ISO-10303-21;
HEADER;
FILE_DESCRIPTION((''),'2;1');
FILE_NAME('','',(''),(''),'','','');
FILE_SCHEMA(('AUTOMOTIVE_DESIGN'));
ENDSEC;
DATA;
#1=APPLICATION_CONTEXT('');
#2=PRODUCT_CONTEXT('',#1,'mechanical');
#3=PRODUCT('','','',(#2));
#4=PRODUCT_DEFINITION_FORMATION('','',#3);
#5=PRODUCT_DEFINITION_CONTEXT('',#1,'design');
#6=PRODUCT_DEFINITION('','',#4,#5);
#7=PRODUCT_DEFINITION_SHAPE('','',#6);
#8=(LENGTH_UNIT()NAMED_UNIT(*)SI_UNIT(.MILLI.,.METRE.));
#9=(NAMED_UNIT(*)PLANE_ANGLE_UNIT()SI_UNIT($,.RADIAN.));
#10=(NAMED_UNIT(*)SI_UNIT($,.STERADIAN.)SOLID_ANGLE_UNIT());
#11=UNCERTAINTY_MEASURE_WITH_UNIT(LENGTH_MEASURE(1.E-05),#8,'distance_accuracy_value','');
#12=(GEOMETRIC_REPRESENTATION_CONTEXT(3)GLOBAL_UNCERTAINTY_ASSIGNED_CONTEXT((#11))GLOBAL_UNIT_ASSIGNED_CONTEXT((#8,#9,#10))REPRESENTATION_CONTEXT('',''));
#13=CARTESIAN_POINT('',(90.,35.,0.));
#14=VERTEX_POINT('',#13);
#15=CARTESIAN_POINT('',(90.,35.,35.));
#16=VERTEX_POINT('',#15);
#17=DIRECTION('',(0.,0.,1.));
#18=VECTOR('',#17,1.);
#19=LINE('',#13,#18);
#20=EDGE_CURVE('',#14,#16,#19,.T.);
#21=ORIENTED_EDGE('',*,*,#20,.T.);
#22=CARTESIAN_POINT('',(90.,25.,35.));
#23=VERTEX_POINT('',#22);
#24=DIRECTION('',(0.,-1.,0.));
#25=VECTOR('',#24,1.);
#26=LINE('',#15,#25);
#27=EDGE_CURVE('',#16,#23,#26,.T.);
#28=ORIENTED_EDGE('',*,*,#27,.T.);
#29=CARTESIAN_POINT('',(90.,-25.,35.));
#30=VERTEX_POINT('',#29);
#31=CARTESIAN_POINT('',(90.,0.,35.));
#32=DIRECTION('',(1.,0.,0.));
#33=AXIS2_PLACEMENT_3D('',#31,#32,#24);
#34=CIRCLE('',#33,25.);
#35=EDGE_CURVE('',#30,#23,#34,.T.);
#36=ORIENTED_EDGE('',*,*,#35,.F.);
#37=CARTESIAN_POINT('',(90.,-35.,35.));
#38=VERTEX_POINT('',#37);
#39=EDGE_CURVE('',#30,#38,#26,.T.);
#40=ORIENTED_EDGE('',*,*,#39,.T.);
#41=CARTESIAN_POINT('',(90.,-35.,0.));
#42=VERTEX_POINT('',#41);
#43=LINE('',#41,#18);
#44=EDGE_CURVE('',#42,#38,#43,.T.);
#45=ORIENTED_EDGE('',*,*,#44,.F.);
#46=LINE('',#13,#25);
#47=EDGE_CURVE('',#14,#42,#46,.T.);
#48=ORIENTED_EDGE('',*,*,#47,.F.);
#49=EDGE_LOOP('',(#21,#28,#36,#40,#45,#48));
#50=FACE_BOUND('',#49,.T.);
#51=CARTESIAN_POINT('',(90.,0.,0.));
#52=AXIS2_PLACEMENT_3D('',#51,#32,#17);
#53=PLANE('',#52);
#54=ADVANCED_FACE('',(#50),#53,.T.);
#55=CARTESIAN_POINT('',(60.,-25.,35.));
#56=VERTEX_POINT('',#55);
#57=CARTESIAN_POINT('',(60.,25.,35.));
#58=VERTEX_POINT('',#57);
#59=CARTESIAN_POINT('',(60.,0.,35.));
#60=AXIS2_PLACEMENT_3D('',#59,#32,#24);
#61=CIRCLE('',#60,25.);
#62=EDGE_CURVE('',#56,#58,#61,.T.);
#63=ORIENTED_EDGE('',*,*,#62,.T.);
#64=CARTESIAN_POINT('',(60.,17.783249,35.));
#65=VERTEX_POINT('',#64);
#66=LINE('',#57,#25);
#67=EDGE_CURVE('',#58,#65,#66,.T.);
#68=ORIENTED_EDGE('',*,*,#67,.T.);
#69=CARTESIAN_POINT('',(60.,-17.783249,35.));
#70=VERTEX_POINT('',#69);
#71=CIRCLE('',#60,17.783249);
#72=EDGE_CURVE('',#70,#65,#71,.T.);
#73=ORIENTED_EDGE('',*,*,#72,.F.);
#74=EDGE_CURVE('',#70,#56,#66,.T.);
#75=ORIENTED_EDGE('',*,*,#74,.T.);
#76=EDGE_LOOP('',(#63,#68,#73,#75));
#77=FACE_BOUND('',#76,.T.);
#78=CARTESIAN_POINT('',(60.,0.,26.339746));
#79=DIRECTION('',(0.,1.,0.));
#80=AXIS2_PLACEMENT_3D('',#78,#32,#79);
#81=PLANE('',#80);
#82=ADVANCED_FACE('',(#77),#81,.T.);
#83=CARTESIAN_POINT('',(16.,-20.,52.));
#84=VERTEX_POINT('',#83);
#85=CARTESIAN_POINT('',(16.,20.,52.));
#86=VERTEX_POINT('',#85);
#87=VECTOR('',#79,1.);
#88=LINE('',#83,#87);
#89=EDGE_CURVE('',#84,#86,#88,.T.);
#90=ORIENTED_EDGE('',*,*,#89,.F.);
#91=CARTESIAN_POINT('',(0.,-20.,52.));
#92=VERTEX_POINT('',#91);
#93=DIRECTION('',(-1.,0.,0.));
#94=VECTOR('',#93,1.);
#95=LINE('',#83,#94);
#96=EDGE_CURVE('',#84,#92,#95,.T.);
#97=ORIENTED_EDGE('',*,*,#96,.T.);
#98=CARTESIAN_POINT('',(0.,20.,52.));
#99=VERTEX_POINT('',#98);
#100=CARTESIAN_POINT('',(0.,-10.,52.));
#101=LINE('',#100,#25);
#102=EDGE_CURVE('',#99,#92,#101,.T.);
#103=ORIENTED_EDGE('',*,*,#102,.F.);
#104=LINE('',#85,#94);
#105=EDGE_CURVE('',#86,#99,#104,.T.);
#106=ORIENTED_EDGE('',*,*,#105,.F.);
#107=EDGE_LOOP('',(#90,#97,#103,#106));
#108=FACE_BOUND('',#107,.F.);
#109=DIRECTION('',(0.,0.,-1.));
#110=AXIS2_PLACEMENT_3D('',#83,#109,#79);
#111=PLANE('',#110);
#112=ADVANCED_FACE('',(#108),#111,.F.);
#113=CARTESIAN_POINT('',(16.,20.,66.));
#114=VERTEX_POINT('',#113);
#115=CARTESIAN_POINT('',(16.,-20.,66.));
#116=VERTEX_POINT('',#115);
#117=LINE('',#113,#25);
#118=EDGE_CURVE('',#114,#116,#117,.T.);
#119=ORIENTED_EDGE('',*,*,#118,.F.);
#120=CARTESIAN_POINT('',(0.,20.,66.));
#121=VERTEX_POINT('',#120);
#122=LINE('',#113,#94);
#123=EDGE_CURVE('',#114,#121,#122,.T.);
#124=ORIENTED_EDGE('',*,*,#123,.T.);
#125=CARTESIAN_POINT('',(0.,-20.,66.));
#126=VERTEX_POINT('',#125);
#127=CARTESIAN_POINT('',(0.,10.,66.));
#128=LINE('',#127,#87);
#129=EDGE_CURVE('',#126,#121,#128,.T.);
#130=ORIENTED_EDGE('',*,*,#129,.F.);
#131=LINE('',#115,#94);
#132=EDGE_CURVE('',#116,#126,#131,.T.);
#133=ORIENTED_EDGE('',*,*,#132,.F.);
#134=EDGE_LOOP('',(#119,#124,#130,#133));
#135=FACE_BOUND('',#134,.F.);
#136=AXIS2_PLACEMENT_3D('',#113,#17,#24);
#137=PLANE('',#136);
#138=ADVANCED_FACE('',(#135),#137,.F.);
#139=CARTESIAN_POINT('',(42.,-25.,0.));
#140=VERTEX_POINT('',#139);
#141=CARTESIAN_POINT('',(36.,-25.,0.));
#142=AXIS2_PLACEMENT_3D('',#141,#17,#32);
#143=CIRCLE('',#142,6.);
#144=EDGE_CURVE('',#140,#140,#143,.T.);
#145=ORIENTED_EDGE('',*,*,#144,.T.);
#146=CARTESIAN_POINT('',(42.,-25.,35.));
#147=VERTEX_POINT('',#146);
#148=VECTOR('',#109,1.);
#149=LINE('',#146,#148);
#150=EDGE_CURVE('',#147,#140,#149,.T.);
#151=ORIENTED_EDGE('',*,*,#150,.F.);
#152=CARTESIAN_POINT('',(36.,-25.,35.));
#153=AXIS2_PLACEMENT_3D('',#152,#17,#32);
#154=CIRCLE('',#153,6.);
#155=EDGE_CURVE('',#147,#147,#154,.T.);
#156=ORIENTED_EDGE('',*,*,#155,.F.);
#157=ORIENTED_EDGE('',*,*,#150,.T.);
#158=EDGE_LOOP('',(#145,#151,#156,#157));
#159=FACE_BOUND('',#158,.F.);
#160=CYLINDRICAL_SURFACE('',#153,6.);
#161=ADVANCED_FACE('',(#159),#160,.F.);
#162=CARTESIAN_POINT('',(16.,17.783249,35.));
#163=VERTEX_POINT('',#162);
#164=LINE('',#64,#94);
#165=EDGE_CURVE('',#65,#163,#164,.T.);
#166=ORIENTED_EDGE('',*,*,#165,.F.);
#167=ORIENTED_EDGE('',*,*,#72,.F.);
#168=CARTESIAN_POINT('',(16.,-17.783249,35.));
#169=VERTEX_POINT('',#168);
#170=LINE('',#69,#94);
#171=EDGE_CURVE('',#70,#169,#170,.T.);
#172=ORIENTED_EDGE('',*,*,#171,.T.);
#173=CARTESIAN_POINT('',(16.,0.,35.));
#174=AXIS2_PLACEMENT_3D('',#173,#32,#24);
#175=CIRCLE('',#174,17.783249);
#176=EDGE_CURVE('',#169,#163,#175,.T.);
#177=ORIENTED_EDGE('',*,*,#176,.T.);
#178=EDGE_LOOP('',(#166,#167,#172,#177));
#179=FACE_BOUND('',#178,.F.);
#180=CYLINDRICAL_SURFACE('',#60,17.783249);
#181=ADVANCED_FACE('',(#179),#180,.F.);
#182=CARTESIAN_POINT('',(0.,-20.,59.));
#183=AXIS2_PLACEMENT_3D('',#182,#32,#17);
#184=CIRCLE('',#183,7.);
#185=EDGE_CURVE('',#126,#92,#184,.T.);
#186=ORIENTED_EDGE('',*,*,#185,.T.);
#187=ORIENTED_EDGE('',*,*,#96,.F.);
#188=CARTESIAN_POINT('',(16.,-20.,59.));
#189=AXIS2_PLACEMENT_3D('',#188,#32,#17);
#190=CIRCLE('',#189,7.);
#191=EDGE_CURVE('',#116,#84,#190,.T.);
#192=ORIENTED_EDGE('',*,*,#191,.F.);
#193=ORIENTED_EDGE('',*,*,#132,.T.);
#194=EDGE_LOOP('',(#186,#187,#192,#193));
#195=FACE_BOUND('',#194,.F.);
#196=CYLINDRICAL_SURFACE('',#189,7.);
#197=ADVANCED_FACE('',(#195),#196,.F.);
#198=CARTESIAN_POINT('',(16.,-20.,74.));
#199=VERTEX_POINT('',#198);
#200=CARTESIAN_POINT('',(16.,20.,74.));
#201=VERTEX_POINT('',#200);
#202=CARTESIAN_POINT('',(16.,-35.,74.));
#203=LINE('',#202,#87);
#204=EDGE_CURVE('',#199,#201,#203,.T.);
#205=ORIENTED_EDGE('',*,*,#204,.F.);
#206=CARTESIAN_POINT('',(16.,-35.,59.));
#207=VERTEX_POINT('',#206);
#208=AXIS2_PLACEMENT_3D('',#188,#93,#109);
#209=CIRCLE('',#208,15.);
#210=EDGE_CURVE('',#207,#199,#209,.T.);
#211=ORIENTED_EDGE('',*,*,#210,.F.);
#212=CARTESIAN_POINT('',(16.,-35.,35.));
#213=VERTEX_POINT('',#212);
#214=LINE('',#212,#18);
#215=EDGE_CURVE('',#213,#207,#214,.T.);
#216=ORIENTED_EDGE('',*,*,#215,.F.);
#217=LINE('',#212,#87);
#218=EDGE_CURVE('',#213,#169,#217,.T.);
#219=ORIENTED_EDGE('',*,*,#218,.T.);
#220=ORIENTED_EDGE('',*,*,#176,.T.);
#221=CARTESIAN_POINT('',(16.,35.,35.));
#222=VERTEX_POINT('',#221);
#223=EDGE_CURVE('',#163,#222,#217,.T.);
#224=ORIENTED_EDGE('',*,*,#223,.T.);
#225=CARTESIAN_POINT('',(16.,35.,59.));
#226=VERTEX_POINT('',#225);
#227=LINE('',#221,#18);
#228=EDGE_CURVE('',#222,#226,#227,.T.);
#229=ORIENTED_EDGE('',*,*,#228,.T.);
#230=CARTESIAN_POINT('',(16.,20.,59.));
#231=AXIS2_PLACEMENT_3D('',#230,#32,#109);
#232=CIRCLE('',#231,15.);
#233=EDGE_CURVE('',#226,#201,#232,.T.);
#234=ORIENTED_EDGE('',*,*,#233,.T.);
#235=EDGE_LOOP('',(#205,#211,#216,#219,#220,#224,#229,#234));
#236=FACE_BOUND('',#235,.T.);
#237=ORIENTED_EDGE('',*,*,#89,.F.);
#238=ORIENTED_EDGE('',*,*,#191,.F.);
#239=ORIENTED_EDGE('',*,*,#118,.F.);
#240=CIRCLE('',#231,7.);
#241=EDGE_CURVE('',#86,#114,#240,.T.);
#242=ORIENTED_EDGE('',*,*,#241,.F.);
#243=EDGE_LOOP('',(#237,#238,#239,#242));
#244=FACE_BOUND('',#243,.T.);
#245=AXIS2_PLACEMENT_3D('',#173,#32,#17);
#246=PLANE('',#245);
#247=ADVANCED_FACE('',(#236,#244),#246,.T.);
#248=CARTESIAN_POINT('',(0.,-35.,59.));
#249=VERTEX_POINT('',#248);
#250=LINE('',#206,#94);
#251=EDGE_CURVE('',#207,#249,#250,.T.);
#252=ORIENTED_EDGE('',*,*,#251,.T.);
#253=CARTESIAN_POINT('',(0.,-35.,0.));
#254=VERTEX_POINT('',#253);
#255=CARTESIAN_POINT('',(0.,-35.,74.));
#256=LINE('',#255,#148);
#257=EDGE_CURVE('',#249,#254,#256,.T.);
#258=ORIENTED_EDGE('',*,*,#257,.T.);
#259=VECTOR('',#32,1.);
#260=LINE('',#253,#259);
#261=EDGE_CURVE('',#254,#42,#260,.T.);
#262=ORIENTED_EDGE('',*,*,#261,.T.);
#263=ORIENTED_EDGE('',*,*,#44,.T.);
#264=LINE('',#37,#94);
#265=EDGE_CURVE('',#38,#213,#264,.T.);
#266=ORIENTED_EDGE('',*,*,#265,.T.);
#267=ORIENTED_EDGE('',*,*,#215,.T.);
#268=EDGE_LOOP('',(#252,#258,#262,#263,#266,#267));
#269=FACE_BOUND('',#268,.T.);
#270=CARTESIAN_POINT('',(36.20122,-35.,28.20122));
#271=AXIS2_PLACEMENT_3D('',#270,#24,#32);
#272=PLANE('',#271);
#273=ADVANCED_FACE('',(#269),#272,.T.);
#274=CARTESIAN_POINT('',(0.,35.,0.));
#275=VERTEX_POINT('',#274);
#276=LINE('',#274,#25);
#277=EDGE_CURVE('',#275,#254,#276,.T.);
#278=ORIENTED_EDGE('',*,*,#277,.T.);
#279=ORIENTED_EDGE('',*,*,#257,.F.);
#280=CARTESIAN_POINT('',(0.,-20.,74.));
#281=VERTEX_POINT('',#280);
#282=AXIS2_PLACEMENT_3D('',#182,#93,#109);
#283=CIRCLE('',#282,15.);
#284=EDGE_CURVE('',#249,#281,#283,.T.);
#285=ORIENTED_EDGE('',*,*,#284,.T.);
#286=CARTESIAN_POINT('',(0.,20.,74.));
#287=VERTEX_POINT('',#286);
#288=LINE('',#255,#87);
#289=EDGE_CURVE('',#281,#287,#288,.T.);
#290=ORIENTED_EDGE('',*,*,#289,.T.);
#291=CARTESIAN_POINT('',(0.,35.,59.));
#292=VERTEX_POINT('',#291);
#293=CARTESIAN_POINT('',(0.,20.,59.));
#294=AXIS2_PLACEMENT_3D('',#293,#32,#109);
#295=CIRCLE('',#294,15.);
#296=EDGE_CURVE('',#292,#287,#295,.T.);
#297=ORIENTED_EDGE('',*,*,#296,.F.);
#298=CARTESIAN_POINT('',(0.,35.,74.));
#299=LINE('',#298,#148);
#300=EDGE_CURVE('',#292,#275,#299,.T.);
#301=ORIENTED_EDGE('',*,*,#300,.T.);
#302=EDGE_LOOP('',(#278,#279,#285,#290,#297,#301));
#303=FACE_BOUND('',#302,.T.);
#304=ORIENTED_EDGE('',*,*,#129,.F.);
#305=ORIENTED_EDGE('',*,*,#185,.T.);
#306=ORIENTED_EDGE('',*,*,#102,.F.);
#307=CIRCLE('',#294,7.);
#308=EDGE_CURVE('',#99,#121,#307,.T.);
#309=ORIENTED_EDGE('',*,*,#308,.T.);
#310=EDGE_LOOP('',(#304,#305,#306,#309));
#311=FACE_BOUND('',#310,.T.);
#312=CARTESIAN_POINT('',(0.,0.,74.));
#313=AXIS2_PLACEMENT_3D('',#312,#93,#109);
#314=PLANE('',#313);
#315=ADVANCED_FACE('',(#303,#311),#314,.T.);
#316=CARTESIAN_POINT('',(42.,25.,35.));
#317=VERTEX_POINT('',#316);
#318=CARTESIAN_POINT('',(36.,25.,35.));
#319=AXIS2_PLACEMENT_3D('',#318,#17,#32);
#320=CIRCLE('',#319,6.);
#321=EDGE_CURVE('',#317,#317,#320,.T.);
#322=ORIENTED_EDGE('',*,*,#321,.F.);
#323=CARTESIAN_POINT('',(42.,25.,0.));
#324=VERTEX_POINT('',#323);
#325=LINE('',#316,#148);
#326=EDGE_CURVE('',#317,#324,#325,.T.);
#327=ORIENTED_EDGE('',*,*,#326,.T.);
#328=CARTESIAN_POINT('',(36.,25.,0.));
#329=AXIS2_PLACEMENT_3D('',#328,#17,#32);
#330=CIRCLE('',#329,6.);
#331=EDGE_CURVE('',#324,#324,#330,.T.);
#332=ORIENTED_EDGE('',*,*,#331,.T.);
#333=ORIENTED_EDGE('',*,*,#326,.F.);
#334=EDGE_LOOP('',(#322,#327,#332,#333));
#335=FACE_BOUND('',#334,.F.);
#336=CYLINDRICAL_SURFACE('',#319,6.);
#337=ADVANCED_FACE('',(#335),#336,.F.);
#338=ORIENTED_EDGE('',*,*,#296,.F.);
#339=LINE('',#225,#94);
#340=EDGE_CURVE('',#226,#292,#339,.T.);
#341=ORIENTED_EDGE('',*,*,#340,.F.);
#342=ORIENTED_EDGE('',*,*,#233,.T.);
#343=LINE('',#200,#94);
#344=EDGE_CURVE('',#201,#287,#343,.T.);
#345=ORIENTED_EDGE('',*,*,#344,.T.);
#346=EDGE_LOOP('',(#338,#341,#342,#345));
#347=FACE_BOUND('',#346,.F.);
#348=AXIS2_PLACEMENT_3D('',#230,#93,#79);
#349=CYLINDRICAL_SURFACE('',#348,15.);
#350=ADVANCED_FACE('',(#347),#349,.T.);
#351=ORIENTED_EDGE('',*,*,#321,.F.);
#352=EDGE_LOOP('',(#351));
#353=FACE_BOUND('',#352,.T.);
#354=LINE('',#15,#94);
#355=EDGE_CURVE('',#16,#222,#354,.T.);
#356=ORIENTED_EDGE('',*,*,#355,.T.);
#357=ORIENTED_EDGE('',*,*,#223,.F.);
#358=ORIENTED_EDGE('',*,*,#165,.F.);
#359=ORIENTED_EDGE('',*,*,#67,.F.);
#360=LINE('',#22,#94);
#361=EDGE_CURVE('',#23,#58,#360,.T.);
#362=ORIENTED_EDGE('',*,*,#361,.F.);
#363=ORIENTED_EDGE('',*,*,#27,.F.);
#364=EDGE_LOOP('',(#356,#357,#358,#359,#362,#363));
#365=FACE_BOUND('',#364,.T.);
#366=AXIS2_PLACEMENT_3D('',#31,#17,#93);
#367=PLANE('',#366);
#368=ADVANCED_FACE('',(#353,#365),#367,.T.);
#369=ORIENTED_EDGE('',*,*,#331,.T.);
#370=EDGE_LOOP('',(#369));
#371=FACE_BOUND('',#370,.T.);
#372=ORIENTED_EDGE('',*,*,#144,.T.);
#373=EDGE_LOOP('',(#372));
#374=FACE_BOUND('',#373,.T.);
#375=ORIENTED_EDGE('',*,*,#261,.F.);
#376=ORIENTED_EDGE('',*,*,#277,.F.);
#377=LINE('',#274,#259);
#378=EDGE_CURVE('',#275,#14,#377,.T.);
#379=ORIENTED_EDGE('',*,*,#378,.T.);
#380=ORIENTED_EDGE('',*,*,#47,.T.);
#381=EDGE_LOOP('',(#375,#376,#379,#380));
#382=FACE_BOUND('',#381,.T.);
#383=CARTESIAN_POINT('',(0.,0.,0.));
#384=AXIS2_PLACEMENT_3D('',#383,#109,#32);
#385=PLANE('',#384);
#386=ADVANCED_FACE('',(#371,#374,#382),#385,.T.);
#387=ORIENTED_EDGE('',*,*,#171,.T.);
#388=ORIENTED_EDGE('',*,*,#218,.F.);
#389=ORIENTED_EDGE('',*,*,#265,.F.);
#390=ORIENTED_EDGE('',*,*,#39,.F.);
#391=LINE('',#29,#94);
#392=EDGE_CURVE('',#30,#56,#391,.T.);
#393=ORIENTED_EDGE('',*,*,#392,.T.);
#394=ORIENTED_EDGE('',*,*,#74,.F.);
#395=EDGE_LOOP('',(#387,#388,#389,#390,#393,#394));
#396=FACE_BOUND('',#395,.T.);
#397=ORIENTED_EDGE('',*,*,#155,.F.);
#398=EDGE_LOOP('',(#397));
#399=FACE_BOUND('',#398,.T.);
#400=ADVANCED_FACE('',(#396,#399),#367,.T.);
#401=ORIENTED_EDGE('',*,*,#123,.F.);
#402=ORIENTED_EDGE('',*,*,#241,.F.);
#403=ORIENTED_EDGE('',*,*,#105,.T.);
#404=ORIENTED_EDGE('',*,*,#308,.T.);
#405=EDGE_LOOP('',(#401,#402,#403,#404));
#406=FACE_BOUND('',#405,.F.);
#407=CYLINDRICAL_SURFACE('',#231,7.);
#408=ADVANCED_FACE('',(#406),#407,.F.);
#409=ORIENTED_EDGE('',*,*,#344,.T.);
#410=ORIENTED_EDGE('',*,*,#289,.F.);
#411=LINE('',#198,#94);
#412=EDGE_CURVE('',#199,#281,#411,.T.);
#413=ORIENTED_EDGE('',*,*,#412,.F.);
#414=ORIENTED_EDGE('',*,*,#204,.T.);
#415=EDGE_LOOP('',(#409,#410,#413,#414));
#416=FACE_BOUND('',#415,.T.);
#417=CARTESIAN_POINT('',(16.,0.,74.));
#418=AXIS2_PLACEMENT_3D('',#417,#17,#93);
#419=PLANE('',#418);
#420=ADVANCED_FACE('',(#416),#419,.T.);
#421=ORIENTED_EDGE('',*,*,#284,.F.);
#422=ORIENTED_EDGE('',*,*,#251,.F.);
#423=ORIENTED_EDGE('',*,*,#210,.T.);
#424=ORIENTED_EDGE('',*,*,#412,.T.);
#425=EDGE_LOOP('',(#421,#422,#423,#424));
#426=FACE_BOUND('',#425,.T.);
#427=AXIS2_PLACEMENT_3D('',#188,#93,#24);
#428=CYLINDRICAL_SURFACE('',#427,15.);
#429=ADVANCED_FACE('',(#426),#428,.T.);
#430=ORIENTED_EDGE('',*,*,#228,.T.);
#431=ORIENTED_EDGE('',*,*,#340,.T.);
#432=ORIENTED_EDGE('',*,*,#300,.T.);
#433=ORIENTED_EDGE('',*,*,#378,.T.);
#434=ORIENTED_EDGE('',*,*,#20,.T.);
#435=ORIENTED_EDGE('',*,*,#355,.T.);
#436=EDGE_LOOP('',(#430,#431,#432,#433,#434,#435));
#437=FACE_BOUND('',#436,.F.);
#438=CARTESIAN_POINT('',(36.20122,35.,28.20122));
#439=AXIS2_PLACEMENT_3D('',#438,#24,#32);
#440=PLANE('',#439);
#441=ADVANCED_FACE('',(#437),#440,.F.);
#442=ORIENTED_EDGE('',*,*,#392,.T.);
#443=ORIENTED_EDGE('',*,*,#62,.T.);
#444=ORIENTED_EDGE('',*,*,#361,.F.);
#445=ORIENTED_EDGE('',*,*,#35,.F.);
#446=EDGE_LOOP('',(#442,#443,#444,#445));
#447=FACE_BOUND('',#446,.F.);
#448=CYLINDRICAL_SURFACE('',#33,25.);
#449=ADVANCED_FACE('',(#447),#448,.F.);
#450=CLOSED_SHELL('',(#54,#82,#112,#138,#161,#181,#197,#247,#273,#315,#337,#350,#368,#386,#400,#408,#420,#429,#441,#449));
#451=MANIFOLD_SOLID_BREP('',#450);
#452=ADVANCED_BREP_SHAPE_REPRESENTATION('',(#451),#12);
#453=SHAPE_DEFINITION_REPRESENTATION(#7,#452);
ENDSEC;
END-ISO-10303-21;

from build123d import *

# Parameters (mm, degrees)
F1_DEPTH  = 35
F3_DEPTH  = 30
F5_DEPTH  = 44
F6_R      = 15
F8_DEPTH  = 16.001
F9_R      = 6
F10_DEPTH = 35.001


with BuildPart() as f1:
    # F0 (on Front) → F1 (new body, symmetric)
    with BuildSketch(Plane.XZ):
        Polygon((0, 74), (0, 0), (90, 0), (90, 35), (16, 35), (16, 74), align=None)
    extrude(amount=F1_DEPTH, both=True)

    # F2 (on face) → F3 (cut)
    with BuildSketch(Plane.YZ.offset(90)):
        with BuildLine():
            Line((25, 35), (-25, 35))
            ThreePointArc((-25, 35), (0, 10), (25, 35))
        make_face()
    extrude(amount=-F3_DEPTH, mode=Mode.SUBTRACT)

    # F4 (on face) → F5 (cut, through all)
    with BuildSketch(Plane.YZ.offset(60)):
        with BuildLine():
            Line((17.783249, 35), (-17.783249, 35))
            ThreePointArc((-17.783249, 35), (0, 17.216751), (17.783249, 35))
        make_face()
    extrude(amount=-F5_DEPTH, mode=Mode.SUBTRACT)

    # F6
    f6_edges = [f1.edges().sort_by_distance(p)[0] for p in [
        (8, -35, 74),
        (8, 35, 74),
    ]]
    fillet(f6_edges, radius=F6_R)

    # F7 (on face) → F8 (cut, through all)
    with BuildSketch(Plane.YZ.offset(16)):
        with BuildLine():
            ThreePointArc((-20, 66), (-27, 59), (-20, 52))
            Line((-20, 52), (20, 52))
            ThreePointArc((20, 52), (27, 59), (20, 66))
            Line((20, 66), (-20, 66))
        make_face()
    extrude(amount=-F8_DEPTH, mode=Mode.SUBTRACT)

    # F9 (on face) → F10 (cut, through all)
    with BuildSketch(Plane.XY.offset(35)):
        with Locations((36, -25)):
            Circle(F9_R)
        with Locations((36, 25)):
            Circle(F9_R)
    extrude(amount=-F10_DEPTH, mode=Mode.SUBTRACT)


solid = f1.part
